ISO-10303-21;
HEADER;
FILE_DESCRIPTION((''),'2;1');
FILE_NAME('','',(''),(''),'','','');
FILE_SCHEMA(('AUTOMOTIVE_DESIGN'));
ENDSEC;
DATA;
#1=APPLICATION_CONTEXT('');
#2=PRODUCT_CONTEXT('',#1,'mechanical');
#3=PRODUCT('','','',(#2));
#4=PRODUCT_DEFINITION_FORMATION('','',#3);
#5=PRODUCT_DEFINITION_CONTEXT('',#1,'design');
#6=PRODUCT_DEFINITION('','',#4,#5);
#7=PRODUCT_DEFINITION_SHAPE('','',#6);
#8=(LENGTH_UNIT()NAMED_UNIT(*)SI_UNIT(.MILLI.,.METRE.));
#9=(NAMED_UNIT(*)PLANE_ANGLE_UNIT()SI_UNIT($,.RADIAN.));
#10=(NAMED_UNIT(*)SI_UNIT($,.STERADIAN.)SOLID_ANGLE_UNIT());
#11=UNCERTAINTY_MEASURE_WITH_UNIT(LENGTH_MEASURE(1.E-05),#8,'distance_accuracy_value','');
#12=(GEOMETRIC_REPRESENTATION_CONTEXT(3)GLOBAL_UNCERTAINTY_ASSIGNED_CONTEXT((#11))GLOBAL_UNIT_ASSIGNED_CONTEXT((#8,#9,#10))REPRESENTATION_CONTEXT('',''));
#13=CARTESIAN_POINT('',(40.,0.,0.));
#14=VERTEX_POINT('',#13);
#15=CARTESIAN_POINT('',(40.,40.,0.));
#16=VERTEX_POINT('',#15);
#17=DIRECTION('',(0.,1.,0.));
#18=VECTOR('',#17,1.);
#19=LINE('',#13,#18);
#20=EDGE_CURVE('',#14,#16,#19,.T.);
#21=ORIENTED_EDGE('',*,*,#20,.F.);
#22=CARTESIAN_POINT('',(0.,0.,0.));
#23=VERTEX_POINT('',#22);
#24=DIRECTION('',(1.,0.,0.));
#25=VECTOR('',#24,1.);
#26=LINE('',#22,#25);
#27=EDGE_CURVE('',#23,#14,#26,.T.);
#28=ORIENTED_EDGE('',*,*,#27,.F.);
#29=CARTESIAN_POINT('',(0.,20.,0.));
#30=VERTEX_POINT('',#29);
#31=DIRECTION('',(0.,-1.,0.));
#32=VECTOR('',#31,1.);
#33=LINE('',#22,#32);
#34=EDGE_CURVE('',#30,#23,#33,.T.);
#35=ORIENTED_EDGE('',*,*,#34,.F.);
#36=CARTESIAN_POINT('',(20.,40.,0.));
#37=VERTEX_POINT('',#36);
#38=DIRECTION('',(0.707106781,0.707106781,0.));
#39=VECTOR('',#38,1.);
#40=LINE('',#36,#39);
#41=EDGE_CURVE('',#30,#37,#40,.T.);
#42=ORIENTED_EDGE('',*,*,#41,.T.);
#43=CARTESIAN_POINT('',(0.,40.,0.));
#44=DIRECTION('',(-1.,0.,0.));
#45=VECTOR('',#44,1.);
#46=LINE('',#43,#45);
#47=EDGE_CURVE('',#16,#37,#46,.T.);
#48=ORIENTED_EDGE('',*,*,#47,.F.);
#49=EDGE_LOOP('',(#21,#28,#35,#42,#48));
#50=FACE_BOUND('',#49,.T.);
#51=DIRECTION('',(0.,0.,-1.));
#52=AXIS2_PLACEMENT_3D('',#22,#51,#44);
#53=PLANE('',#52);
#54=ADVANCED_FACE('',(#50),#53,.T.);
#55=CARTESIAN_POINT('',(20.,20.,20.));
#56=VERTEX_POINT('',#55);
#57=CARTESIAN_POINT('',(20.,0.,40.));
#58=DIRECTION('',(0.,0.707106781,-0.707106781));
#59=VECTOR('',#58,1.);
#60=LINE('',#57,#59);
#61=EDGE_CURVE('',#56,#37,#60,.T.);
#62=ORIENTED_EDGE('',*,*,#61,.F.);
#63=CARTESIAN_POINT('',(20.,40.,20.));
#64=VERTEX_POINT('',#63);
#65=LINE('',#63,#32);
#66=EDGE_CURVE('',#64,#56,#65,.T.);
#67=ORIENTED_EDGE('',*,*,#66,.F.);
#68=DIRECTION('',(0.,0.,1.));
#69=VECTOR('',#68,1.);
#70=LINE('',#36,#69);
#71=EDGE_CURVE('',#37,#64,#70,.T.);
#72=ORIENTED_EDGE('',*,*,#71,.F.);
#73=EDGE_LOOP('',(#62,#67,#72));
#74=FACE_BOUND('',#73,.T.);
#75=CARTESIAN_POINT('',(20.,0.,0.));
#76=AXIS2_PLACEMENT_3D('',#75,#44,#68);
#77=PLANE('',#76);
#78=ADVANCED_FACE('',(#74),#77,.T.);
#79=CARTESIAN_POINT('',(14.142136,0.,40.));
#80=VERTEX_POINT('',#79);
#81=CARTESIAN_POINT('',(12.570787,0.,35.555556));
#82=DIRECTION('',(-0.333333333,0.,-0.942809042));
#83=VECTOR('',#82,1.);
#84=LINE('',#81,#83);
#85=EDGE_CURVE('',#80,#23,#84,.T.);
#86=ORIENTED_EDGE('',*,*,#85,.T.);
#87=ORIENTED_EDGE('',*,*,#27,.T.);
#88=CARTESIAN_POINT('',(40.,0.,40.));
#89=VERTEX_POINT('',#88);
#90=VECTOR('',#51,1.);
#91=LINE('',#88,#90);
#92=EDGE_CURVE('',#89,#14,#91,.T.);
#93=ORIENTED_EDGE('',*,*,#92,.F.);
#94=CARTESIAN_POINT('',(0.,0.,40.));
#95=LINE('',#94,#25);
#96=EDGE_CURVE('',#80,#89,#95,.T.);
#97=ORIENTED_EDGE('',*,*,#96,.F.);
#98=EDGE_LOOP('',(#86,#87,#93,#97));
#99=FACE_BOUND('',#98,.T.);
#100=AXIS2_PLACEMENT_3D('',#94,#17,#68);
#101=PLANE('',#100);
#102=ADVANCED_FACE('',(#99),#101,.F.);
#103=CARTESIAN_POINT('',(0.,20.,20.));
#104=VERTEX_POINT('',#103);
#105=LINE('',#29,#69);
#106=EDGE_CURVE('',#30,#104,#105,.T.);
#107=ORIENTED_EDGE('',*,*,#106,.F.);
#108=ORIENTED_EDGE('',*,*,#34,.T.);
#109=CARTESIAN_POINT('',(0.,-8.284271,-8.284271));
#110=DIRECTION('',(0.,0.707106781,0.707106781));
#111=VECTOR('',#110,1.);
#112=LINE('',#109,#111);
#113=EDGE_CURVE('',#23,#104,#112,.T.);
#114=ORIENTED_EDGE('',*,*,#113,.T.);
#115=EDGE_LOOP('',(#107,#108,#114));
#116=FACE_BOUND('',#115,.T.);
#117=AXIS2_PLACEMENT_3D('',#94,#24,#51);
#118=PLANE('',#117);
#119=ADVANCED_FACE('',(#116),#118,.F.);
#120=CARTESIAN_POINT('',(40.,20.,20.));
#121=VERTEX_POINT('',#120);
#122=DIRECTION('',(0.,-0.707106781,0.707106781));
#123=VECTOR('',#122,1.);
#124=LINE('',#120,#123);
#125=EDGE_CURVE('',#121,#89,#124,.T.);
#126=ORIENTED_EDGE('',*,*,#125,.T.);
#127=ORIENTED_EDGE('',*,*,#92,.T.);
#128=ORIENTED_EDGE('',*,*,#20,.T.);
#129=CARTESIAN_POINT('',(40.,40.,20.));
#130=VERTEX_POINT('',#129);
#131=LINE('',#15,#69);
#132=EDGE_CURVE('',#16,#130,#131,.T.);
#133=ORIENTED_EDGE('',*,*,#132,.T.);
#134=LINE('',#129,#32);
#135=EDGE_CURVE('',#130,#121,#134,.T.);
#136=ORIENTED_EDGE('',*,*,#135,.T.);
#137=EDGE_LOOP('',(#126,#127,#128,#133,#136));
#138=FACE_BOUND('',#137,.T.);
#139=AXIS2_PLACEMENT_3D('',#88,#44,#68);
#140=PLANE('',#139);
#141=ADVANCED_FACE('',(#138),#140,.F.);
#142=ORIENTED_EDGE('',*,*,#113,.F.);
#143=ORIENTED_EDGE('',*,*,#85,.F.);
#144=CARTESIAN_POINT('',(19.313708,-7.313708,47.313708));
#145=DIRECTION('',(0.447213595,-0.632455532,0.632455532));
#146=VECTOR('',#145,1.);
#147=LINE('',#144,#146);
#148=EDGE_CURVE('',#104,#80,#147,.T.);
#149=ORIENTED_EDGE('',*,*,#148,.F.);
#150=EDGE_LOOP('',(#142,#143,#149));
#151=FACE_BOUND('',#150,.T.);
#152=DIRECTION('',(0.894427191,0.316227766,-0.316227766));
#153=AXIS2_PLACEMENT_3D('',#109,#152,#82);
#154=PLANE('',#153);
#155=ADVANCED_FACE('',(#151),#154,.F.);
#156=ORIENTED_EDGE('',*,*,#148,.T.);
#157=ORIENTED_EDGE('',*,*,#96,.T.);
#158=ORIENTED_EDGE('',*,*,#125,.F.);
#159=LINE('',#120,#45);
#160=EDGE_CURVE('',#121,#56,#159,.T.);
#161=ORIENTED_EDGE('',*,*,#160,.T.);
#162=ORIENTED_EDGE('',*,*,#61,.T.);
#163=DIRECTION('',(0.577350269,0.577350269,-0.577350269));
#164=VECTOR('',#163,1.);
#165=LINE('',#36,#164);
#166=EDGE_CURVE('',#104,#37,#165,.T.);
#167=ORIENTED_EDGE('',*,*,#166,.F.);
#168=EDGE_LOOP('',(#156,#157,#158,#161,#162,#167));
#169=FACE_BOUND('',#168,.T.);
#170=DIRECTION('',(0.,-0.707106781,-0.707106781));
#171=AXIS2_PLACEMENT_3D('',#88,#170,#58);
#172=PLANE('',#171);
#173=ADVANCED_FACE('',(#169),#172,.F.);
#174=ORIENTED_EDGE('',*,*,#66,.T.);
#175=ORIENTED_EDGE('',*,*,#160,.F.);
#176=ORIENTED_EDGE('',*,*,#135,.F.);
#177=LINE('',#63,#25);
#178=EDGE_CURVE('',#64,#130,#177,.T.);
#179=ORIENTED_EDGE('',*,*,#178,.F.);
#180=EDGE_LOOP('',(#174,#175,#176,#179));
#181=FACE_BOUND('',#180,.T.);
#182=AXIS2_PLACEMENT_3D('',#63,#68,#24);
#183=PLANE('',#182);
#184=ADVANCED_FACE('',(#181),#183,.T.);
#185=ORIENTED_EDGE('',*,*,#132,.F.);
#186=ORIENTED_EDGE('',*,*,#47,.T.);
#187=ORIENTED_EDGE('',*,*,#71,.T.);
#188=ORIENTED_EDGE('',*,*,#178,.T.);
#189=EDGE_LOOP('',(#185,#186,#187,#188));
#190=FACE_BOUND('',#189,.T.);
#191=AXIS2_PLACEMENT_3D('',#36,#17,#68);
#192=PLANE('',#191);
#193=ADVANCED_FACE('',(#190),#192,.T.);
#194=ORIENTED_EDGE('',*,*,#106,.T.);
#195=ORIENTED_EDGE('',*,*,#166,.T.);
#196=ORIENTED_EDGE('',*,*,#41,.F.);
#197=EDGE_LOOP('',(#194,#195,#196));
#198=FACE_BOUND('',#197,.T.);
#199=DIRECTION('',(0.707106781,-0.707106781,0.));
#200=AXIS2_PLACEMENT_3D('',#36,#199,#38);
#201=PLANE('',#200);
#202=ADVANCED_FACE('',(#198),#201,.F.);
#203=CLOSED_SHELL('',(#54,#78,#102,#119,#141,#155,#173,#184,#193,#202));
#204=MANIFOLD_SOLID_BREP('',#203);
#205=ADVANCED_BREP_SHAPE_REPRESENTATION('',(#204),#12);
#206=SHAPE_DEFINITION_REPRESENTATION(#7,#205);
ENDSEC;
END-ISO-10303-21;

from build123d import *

# Parameters (mm, degrees)
SKETCH1_W           = 40
SKETCH1_H           = 40
BOSS_EXTRUDE1_DEPTH = 40
CUT_EXTRUDE1_DEPTH  = 40
CUT_EXTRUDE2_DEPTH  = 40
CUT_EXTRUDE3_DEPTH  = 40
SKETCH5_W           = 20
SKETCH5_H           = 40
BOSS_EXTRUDE2_DEPTH = 20


with BuildPart() as part:
    # Sketch1 → Boss-Extrude1 (new body)
    with BuildSketch(Plane.XY):
        with Locations((20, 20)):
            Rectangle(SKETCH1_W, SKETCH1_H)
    extrude(amount=BOSS_EXTRUDE1_DEPTH)

    # Sketch2 → Cut-Extrude1 (cut)
    with BuildSketch(Plane.XY.offset(40)):
        Polygon((0, 20), (0, 40), (20, 40), align=None)
    extrude(amount=-CUT_EXTRUDE1_DEPTH, mode=Mode.SUBTRACT)

    # Sketch3 → Cut-Extrude2 (cut)
    with BuildSketch(Plane.ZY):
        Polygon((40, 0), (20, 20), (0, 40), (40, 40), align=None)
    extrude(amount=-CUT_EXTRUDE2_DEPTH, mode=Mode.SUBTRACT)

    # Sketch4 → Cut-Extrude3 (cut)
    with BuildSketch(Plane(origin=(0, 20, 20), x_dir=(1, 0, 0), z_dir=(0, 0.707106781, 0.707106781))):
        Polygon((0, 0), (20, -40), (0, -40), align=None)
    extrude(amount=-CUT_EXTRUDE3_DEPTH, mode=Mode.SUBTRACT)

    # Sketch5 → Boss-Extrude2 (add)
    with BuildSketch(Plane(origin=(40, 0, 0), x_dir=(0, 0, -1), z_dir=(1, 0, 0))):
        with Locations((-10, 20)):
            Rectangle(SKETCH5_W, SKETCH5_H)
    extrude(amount=-BOSS_EXTRUDE2_DEPTH)


solid = part.part
